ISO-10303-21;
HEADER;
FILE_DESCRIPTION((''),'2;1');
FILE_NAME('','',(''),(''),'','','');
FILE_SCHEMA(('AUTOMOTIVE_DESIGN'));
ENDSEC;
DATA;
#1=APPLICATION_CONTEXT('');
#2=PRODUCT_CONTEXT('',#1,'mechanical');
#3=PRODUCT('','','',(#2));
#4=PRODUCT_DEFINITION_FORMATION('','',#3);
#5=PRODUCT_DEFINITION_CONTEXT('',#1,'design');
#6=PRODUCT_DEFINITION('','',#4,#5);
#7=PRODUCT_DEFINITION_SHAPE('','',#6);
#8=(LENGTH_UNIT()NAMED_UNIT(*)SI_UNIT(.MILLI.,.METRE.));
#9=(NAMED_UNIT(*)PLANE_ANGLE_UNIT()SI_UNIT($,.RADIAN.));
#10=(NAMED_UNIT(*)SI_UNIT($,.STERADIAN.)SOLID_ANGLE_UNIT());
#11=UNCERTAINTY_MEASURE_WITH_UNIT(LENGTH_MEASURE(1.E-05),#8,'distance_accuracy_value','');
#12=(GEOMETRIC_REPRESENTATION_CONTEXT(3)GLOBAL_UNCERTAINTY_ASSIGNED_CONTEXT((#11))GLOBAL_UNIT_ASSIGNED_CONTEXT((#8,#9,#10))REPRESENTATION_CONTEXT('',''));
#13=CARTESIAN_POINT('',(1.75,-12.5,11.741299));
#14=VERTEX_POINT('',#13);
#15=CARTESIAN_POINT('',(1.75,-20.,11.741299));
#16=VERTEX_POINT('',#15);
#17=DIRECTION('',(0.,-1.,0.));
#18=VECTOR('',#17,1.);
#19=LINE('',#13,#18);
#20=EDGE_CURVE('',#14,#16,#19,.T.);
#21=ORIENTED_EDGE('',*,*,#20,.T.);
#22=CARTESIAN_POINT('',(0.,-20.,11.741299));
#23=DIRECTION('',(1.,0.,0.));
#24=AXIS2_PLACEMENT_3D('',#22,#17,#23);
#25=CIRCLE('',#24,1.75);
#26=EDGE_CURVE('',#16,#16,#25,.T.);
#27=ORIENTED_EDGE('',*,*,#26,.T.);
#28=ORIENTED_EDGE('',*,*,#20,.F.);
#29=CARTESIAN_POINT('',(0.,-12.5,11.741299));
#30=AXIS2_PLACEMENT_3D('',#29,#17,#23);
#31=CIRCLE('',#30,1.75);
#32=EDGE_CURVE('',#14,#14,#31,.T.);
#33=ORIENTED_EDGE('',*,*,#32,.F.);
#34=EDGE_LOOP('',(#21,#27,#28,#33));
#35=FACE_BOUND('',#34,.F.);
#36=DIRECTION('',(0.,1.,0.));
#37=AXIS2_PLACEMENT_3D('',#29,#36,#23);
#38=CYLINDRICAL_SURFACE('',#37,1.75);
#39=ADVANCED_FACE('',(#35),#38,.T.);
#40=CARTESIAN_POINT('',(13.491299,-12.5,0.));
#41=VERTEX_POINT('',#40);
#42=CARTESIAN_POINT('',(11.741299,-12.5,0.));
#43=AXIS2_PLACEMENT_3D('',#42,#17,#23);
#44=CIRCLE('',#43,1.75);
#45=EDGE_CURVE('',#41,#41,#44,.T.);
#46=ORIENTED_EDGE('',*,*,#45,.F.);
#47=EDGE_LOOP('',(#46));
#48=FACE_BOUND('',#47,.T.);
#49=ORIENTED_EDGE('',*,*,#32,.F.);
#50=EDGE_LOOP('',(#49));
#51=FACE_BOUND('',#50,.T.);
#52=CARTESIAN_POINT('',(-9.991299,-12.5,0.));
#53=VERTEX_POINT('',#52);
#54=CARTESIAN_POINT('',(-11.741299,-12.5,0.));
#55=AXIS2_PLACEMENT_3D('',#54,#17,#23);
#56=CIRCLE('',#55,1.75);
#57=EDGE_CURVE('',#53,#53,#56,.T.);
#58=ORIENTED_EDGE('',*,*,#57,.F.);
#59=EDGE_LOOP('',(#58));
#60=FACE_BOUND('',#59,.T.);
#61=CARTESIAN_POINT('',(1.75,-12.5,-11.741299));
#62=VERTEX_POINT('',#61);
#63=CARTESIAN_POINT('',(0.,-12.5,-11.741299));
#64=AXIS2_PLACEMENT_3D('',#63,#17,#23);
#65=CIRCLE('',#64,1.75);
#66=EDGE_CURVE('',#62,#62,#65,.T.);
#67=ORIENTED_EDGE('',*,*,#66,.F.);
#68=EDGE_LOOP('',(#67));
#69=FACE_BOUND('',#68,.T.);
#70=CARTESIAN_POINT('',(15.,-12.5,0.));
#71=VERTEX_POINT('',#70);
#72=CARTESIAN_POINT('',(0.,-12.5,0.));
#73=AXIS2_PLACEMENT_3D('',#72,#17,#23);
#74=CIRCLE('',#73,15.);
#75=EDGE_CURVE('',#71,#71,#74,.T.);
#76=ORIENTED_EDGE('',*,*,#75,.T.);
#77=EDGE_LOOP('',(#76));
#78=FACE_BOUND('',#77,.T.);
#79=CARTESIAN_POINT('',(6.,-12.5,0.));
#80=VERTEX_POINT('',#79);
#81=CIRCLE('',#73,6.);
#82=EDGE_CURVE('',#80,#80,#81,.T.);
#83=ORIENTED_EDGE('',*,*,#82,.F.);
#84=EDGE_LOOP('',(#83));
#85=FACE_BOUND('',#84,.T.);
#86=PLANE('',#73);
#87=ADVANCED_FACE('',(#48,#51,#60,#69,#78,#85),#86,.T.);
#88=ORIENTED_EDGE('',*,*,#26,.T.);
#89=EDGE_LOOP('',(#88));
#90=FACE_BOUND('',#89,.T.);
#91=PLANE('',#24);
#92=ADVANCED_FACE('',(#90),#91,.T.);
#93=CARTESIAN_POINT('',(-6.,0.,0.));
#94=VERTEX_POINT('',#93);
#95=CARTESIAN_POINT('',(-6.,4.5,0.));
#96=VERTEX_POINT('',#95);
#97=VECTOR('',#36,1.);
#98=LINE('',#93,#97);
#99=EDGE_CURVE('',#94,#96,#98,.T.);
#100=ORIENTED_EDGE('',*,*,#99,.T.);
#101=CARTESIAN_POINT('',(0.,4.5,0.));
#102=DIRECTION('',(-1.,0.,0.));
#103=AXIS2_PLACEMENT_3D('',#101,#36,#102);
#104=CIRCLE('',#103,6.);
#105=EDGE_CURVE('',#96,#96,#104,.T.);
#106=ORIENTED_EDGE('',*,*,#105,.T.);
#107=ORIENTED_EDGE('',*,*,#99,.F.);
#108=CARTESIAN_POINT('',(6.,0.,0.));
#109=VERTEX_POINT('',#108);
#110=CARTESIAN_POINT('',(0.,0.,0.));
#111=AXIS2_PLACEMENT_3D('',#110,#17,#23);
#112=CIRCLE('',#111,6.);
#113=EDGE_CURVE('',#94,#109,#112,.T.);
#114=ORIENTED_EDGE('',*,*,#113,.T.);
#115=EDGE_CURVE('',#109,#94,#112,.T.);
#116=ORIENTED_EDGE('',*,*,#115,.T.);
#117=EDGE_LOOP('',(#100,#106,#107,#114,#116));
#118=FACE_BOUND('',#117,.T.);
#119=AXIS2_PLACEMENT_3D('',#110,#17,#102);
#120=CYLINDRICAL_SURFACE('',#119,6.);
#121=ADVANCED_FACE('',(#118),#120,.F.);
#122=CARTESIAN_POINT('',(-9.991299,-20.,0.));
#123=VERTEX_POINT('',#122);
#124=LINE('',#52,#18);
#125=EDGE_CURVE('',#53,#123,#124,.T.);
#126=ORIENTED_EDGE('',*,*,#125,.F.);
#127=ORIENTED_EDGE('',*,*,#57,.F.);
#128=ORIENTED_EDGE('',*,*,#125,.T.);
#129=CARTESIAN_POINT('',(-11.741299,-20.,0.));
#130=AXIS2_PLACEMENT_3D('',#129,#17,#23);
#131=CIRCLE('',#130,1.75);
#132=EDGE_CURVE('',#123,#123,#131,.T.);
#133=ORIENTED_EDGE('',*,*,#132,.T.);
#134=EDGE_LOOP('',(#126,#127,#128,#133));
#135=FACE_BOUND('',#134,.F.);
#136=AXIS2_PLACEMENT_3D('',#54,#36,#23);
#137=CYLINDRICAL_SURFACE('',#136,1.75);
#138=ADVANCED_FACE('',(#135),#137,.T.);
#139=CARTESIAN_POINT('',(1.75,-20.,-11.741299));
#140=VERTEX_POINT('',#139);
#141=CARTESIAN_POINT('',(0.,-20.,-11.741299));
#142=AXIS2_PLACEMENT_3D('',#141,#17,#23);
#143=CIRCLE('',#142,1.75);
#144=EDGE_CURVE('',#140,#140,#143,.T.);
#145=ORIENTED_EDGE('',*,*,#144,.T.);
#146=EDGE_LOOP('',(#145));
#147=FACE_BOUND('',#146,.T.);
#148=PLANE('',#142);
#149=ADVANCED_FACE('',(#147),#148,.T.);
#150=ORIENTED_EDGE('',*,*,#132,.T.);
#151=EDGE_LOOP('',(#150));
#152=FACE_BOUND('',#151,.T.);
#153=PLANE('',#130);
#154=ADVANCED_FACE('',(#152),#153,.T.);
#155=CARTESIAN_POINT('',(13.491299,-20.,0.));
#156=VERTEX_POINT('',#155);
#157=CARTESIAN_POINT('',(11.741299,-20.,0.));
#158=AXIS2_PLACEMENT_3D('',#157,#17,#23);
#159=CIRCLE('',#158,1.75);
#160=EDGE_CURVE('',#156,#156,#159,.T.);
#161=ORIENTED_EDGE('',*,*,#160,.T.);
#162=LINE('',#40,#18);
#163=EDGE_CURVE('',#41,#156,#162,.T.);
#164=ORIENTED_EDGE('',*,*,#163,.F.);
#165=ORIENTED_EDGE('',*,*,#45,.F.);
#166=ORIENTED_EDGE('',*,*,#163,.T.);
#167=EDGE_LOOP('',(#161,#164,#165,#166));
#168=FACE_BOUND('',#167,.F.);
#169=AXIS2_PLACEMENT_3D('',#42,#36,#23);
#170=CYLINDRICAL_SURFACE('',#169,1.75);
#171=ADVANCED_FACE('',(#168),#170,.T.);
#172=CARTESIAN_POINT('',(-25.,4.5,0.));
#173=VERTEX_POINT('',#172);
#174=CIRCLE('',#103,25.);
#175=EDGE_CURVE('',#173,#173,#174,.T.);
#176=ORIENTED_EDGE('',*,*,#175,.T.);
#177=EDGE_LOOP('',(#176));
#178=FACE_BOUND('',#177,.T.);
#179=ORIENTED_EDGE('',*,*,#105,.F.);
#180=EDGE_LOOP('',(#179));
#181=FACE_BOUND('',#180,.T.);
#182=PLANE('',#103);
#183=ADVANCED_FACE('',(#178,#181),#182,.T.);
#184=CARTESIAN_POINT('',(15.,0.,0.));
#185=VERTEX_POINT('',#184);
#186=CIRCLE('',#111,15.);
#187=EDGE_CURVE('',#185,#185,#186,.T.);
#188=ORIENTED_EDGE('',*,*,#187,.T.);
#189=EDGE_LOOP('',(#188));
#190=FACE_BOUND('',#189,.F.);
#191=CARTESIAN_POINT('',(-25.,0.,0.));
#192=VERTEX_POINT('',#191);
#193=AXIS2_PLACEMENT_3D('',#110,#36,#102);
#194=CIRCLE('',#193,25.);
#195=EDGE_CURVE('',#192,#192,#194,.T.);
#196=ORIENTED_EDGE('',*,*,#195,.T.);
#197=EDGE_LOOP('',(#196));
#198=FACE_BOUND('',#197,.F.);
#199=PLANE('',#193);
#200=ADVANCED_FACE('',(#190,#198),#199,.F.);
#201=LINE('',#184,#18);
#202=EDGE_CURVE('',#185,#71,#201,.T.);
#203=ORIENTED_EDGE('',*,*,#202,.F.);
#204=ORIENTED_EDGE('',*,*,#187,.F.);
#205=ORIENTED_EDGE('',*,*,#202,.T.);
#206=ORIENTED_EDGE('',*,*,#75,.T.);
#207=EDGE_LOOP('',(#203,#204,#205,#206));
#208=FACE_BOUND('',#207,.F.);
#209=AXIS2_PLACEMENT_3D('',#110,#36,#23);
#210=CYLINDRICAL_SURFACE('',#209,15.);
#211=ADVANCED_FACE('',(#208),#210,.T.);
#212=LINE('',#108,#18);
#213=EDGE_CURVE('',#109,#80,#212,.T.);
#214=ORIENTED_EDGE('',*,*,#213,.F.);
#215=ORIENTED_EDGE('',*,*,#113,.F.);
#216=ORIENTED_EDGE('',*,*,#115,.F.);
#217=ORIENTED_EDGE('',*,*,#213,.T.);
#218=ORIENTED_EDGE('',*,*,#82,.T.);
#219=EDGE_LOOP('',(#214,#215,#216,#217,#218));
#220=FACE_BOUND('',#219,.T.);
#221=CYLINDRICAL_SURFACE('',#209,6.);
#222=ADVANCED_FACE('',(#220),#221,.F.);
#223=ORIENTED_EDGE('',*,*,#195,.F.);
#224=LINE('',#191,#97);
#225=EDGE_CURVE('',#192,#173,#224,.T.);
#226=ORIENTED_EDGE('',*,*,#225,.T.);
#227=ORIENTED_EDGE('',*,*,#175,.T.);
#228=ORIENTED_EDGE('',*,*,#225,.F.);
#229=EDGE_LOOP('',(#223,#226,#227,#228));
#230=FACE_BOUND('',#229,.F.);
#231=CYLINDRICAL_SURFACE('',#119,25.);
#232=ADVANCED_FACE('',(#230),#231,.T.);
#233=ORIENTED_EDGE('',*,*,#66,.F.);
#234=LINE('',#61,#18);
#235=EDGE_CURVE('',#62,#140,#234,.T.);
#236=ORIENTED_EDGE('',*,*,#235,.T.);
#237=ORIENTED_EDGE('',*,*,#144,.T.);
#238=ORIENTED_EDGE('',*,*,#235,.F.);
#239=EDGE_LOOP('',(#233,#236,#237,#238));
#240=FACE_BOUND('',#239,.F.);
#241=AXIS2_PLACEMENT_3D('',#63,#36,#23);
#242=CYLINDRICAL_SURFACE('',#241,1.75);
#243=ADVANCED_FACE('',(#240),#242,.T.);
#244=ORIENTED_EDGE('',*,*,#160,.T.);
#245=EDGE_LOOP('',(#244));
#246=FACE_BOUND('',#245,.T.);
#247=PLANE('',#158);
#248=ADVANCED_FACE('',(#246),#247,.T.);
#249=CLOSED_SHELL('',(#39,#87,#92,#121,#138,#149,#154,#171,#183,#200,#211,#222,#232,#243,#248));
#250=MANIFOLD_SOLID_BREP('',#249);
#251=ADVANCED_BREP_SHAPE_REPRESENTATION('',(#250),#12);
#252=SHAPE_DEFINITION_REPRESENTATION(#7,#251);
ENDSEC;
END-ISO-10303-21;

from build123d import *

# Parameters (mm, degrees)
F0_R     = 15
F0_R_2   = 6
F1_DEPTH = 12.5
F3_R     = 25
F3_R_2   = 6
F4_DEPTH = 4.5
F5_R     = 1.75
F6_DEPTH = 7.5


with BuildPart() as f1:
    # F0 (on Front) → F1 (new body)
    with BuildSketch(Plane.XZ):
        Circle(F0_R)
        Circle(F0_R_2, mode=Mode.SUBTRACT)
    extrude(amount=F1_DEPTH)

    # F3 (on face) → F4 (join)
    with BuildSketch(Plane(origin=(0, 0, 0), x_dir=(-1, 0, 0), z_dir=(0, 1, 0))):
        Circle(F3_R)
        Circle(F3_R_2, mode=Mode.SUBTRACT)
    extrude(amount=F4_DEPTH)

    # F5 (on face) → F6 (join)
    with BuildSketch(Plane.XZ.offset(12.5)):
        with Locations((0, 11.741299)):
            Circle(F5_R)
        with Locations((-11.741299, 0)):
            Circle(F5_R)
        with Locations((11.741299, 0)):
            Circle(F5_R)
        with Locations((0, -11.741299)):
            Circle(F5_R)
    extrude(amount=F6_DEPTH)


solid = f1.part
